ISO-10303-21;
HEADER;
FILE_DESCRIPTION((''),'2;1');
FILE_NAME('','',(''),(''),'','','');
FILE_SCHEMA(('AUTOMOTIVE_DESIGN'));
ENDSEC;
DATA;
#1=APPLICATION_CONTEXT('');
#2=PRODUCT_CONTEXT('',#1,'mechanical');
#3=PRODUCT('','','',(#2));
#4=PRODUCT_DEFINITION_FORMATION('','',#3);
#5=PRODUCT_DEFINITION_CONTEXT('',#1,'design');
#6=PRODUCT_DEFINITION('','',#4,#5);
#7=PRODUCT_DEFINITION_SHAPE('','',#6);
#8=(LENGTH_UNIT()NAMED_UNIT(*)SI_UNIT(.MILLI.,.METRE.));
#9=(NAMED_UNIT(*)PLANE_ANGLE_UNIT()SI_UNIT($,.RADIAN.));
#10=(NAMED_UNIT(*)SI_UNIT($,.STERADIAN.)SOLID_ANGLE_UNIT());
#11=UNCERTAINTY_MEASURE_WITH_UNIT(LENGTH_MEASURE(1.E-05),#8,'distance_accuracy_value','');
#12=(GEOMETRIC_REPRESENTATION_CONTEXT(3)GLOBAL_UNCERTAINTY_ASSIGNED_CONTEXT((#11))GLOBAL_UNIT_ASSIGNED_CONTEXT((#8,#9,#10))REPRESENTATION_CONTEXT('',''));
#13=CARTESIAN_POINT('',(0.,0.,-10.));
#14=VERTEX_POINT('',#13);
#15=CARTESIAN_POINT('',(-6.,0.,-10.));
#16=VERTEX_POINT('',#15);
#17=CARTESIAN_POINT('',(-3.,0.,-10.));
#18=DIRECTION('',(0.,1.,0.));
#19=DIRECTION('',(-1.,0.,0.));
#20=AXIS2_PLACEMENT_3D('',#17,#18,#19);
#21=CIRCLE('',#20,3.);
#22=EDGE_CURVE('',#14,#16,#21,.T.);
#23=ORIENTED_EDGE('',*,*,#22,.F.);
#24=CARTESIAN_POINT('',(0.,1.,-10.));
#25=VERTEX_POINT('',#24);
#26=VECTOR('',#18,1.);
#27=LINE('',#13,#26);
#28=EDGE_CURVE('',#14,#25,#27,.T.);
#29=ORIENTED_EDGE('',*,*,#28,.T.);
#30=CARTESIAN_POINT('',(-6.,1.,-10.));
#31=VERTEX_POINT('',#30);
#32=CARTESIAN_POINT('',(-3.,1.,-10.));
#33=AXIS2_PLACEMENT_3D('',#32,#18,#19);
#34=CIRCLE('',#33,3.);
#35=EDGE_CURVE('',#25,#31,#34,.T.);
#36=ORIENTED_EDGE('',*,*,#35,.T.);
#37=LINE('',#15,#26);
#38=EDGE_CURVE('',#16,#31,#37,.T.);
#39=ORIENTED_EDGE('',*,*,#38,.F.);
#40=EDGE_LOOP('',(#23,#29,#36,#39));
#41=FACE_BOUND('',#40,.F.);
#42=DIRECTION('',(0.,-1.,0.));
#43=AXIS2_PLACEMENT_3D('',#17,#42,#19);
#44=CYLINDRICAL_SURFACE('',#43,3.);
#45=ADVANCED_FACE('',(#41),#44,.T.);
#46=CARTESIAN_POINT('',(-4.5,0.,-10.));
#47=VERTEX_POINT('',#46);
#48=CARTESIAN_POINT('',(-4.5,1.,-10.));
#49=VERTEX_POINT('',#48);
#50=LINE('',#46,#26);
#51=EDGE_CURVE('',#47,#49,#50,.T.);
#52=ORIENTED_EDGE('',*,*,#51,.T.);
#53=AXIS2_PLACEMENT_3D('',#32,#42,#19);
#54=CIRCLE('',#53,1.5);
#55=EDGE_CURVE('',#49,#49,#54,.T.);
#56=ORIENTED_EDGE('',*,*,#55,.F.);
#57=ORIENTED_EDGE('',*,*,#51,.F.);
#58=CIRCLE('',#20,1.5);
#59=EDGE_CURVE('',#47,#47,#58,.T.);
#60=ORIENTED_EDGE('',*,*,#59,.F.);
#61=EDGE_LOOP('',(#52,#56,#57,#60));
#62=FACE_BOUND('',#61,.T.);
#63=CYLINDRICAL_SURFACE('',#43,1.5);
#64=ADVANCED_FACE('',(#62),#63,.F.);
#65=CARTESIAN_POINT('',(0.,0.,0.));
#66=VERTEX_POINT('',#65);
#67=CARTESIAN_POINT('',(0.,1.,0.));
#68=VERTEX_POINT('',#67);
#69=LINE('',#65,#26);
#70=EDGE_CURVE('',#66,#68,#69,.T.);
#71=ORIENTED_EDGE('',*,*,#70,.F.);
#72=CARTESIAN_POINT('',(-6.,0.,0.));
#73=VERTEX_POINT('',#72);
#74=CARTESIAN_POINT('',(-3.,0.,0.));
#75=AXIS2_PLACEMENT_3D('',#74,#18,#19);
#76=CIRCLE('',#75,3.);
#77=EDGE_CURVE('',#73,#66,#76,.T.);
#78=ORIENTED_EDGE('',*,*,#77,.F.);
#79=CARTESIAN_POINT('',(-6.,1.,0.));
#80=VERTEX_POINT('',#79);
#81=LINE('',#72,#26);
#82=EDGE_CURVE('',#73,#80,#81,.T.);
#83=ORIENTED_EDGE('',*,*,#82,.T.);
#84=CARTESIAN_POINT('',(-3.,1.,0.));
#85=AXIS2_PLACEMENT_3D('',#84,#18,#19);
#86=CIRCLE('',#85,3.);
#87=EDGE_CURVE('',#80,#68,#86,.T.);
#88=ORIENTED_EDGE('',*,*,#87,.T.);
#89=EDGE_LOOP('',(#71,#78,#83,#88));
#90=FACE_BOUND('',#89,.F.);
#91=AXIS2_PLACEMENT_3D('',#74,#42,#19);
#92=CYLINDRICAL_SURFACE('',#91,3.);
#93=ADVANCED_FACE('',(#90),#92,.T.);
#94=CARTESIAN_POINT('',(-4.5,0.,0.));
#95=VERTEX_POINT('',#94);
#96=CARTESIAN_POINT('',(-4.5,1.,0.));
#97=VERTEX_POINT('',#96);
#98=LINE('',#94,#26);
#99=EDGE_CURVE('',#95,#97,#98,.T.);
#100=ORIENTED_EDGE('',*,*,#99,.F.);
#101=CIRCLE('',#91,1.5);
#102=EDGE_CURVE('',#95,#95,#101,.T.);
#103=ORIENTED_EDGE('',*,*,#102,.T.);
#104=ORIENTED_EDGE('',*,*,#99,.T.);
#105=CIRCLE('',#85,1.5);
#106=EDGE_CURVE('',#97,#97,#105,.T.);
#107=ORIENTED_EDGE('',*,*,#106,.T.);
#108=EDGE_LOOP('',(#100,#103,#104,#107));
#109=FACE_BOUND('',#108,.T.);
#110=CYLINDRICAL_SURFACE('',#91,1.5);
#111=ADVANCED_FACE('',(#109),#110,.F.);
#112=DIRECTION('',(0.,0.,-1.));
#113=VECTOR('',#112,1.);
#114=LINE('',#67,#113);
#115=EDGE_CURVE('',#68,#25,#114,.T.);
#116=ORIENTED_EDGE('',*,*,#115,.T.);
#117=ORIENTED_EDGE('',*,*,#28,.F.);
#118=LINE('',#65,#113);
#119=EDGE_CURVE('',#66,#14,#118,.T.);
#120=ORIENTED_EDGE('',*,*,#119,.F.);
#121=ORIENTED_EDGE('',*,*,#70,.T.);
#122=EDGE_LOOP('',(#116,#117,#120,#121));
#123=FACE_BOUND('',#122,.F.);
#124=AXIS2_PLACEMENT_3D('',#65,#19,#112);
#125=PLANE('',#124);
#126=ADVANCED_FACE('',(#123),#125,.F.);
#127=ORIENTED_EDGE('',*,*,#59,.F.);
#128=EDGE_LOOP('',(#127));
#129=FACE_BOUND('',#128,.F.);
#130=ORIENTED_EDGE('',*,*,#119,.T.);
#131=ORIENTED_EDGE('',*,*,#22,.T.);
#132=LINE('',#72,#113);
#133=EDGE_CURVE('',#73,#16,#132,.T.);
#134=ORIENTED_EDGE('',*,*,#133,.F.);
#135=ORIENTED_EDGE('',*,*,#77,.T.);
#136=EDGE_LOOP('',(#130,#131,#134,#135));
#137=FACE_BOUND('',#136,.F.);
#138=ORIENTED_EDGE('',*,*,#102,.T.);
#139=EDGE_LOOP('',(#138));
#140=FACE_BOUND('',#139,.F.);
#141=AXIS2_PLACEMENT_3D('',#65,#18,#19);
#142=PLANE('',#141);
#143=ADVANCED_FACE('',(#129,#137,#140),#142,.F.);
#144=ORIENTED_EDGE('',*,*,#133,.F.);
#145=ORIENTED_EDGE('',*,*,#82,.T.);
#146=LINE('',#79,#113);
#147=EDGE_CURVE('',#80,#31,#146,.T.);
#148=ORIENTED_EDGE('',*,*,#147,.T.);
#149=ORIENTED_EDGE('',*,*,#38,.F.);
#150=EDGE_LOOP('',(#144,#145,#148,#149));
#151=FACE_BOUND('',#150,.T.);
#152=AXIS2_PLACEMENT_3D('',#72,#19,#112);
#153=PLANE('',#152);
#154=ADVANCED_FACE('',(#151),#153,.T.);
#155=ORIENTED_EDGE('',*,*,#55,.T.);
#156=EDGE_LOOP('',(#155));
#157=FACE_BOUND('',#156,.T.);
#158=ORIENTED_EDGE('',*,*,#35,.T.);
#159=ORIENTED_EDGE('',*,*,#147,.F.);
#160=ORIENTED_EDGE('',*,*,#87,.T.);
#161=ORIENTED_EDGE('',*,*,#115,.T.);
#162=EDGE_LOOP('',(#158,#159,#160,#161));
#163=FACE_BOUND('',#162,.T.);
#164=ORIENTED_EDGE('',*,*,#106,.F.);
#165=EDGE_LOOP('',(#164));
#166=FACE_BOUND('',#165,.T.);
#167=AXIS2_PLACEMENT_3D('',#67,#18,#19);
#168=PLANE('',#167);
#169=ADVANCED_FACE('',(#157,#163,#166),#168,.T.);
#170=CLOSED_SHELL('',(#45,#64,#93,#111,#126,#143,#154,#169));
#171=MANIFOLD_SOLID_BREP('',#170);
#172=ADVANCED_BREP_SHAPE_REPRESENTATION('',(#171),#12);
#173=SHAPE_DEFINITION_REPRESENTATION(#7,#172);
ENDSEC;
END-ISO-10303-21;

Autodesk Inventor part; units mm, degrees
ref_plane "YZ Plane" through (0, 0, 0) normal (1, 0, 0) x (0, 1, 0)
ref_plane "XZ Plane" through (0, 0, 0) normal (0, 1, 0) x (-1, 0, 0)
ref_plane "XY Plane" through (0, 0, 0) normal (0, 0, 1) x (1, 0, 0)
sketch "Sketch2" plane through (0, 0, 0) normal (0, 1, 0) x (-1, 0, 0)
  line L0 (0, 0) -> (6, 0)
  line L1 (6, 0) -> (0, 0)
  line L2 (0, -10) -> (6, -10)
  line L3 (3, 0) -> (8, 0)
  line L4 (8, -10) -> (3, -10)
  line L5 (3, -10) -> (-2, -10)
  line L6 (-2, 0) -> (3, 0)
  circle A0 centre (3, 0) radius 1.5
  circle A1 centre (3, 0) radius 3
  circle A2 centre (3, -10) radius 1.5
  circle A3 centre (3, -10) radius 3
  line L7 (0, 0) -> (0, -10)
  line L8 (6, 0) -> (6, -10)
  dimension "d24" = 10
  dimension "d30" = 5
  dimension "d31" = 5
  dimension "d32" = 3
  dimension "d33" = 6
  dimension "d34" = 3
  dimension "d35" = 6
extrude "Extrusion4" add sketch "Sketch2" along normal blind 1 contours A0 L0 A1 | L0 A1 A0 | L8 A3 L7 A1 | A3 L2 A2 | L2 A2 A3
thread "Thread1" size "M3x0.5" class "6H" standard "ANSI Metric M Profile" length 1
thread "Thread2" size "M3x0.5" class "6H" standard "ANSI Metric M Profile" length 1
properties part number "linkToActuator4"
